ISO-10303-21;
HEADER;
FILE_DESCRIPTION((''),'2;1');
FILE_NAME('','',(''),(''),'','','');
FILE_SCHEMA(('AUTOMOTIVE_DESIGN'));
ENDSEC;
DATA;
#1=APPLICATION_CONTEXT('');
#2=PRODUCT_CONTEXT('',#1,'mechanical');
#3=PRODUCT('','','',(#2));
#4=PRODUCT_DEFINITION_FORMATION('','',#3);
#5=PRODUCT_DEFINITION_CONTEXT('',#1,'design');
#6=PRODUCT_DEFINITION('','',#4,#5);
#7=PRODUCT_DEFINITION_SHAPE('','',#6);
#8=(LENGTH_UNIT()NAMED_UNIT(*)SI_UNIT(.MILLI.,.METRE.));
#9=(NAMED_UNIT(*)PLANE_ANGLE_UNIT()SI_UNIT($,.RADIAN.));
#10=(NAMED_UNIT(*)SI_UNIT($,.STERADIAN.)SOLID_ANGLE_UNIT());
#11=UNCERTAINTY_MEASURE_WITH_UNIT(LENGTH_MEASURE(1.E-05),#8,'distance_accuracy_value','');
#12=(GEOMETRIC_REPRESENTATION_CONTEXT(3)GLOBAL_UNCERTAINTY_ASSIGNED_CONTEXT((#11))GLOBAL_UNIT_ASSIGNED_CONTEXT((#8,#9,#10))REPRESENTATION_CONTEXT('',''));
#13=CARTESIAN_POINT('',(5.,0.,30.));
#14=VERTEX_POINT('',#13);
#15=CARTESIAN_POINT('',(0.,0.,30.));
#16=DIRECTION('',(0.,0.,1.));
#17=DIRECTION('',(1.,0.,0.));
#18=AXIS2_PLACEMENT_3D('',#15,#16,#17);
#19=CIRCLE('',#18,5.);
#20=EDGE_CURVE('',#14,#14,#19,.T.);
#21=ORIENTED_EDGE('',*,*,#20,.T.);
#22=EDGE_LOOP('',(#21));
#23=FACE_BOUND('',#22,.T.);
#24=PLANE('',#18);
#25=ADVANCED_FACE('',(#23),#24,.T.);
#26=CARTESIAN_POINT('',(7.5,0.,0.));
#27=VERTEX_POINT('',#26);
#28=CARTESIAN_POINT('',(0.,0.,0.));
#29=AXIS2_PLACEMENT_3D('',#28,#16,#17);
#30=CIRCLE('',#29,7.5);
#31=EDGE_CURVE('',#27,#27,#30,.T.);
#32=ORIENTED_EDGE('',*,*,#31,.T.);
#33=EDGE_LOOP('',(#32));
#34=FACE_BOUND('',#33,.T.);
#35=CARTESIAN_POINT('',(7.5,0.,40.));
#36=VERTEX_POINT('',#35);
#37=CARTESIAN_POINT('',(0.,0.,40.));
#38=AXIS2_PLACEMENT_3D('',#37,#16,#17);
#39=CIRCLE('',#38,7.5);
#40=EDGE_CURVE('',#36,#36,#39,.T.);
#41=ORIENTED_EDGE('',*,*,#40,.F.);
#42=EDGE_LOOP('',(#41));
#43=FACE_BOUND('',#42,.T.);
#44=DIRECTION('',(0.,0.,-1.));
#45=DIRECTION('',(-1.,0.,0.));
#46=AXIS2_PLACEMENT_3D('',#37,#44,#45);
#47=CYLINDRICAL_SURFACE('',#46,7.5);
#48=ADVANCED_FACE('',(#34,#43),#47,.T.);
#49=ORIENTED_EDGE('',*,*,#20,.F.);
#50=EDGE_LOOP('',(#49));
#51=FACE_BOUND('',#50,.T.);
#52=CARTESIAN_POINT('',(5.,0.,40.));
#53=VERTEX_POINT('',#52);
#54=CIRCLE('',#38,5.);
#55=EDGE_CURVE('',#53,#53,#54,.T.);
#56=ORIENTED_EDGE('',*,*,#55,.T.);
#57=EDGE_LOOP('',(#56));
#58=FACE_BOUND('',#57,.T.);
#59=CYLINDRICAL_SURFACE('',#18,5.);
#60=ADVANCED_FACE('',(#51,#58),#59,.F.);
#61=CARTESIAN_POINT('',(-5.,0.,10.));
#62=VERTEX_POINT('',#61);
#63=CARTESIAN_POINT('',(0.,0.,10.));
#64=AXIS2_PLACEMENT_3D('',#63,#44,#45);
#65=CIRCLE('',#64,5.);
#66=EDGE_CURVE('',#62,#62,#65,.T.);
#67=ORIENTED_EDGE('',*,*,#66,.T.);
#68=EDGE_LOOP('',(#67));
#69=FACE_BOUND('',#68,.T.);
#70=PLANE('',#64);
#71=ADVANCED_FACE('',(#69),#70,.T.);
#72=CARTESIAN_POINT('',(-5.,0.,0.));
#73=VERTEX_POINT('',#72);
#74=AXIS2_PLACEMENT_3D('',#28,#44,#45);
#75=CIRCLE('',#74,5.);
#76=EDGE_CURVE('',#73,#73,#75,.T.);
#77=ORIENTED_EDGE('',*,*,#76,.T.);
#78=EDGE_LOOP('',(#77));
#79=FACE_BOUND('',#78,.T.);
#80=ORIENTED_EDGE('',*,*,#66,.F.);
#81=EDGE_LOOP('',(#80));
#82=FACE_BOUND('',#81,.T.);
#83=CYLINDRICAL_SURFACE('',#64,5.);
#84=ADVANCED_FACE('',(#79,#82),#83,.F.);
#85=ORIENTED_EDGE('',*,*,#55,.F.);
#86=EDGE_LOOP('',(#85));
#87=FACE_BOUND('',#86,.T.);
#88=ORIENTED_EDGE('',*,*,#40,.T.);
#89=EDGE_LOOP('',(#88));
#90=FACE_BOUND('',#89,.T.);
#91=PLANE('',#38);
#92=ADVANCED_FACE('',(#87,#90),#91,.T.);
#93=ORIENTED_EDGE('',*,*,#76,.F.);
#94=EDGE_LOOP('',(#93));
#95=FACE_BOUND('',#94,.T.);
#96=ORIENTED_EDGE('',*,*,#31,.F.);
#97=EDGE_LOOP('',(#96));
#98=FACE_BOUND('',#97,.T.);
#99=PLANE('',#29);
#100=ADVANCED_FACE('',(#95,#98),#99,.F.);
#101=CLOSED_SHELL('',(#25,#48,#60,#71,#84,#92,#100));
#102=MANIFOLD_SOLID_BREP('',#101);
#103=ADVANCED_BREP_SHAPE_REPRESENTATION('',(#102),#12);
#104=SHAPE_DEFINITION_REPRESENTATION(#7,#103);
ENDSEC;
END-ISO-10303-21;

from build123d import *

# Parameters (mm, degrees)
SKETCH1_R           = 7.5
BOSS_EXTRUDE1_DEPTH = 40
SKETCH2_R           = 5
CUT_EXTRUDE1_DEPTH  = 10
CUT_EXTRUDE2_START  = -10
SKETCH3_R           = 5
CUT_EXTRUDE2_DEPTH  = 10


with BuildPart() as part:
    # Sketch1 → Boss-Extrude1 (new body)
    with BuildSketch(Plane.XY):
        Circle(SKETCH1_R)
    extrude(amount=BOSS_EXTRUDE1_DEPTH)

    # Sketch2 → Cut-Extrude1 (cut)
    with BuildSketch(Plane.XY.offset(40)):
        Circle(SKETCH2_R)
    extrude(amount=-CUT_EXTRUDE1_DEPTH, mode=Mode.SUBTRACT)

    # Sketch3 → Cut-Extrude2 (cut)
    with BuildSketch(Plane(origin=(0, 0, 0), x_dir=(-1, 0, 0), z_dir=(0, 0, -1)).offset(CUT_EXTRUDE2_START)):
        with Locations(Location((0, 0, 0), (0, 0, 180))):
            Circle(SKETCH3_R)
    extrude(amount=CUT_EXTRUDE2_DEPTH, mode=Mode.SUBTRACT)


solid = part.part
